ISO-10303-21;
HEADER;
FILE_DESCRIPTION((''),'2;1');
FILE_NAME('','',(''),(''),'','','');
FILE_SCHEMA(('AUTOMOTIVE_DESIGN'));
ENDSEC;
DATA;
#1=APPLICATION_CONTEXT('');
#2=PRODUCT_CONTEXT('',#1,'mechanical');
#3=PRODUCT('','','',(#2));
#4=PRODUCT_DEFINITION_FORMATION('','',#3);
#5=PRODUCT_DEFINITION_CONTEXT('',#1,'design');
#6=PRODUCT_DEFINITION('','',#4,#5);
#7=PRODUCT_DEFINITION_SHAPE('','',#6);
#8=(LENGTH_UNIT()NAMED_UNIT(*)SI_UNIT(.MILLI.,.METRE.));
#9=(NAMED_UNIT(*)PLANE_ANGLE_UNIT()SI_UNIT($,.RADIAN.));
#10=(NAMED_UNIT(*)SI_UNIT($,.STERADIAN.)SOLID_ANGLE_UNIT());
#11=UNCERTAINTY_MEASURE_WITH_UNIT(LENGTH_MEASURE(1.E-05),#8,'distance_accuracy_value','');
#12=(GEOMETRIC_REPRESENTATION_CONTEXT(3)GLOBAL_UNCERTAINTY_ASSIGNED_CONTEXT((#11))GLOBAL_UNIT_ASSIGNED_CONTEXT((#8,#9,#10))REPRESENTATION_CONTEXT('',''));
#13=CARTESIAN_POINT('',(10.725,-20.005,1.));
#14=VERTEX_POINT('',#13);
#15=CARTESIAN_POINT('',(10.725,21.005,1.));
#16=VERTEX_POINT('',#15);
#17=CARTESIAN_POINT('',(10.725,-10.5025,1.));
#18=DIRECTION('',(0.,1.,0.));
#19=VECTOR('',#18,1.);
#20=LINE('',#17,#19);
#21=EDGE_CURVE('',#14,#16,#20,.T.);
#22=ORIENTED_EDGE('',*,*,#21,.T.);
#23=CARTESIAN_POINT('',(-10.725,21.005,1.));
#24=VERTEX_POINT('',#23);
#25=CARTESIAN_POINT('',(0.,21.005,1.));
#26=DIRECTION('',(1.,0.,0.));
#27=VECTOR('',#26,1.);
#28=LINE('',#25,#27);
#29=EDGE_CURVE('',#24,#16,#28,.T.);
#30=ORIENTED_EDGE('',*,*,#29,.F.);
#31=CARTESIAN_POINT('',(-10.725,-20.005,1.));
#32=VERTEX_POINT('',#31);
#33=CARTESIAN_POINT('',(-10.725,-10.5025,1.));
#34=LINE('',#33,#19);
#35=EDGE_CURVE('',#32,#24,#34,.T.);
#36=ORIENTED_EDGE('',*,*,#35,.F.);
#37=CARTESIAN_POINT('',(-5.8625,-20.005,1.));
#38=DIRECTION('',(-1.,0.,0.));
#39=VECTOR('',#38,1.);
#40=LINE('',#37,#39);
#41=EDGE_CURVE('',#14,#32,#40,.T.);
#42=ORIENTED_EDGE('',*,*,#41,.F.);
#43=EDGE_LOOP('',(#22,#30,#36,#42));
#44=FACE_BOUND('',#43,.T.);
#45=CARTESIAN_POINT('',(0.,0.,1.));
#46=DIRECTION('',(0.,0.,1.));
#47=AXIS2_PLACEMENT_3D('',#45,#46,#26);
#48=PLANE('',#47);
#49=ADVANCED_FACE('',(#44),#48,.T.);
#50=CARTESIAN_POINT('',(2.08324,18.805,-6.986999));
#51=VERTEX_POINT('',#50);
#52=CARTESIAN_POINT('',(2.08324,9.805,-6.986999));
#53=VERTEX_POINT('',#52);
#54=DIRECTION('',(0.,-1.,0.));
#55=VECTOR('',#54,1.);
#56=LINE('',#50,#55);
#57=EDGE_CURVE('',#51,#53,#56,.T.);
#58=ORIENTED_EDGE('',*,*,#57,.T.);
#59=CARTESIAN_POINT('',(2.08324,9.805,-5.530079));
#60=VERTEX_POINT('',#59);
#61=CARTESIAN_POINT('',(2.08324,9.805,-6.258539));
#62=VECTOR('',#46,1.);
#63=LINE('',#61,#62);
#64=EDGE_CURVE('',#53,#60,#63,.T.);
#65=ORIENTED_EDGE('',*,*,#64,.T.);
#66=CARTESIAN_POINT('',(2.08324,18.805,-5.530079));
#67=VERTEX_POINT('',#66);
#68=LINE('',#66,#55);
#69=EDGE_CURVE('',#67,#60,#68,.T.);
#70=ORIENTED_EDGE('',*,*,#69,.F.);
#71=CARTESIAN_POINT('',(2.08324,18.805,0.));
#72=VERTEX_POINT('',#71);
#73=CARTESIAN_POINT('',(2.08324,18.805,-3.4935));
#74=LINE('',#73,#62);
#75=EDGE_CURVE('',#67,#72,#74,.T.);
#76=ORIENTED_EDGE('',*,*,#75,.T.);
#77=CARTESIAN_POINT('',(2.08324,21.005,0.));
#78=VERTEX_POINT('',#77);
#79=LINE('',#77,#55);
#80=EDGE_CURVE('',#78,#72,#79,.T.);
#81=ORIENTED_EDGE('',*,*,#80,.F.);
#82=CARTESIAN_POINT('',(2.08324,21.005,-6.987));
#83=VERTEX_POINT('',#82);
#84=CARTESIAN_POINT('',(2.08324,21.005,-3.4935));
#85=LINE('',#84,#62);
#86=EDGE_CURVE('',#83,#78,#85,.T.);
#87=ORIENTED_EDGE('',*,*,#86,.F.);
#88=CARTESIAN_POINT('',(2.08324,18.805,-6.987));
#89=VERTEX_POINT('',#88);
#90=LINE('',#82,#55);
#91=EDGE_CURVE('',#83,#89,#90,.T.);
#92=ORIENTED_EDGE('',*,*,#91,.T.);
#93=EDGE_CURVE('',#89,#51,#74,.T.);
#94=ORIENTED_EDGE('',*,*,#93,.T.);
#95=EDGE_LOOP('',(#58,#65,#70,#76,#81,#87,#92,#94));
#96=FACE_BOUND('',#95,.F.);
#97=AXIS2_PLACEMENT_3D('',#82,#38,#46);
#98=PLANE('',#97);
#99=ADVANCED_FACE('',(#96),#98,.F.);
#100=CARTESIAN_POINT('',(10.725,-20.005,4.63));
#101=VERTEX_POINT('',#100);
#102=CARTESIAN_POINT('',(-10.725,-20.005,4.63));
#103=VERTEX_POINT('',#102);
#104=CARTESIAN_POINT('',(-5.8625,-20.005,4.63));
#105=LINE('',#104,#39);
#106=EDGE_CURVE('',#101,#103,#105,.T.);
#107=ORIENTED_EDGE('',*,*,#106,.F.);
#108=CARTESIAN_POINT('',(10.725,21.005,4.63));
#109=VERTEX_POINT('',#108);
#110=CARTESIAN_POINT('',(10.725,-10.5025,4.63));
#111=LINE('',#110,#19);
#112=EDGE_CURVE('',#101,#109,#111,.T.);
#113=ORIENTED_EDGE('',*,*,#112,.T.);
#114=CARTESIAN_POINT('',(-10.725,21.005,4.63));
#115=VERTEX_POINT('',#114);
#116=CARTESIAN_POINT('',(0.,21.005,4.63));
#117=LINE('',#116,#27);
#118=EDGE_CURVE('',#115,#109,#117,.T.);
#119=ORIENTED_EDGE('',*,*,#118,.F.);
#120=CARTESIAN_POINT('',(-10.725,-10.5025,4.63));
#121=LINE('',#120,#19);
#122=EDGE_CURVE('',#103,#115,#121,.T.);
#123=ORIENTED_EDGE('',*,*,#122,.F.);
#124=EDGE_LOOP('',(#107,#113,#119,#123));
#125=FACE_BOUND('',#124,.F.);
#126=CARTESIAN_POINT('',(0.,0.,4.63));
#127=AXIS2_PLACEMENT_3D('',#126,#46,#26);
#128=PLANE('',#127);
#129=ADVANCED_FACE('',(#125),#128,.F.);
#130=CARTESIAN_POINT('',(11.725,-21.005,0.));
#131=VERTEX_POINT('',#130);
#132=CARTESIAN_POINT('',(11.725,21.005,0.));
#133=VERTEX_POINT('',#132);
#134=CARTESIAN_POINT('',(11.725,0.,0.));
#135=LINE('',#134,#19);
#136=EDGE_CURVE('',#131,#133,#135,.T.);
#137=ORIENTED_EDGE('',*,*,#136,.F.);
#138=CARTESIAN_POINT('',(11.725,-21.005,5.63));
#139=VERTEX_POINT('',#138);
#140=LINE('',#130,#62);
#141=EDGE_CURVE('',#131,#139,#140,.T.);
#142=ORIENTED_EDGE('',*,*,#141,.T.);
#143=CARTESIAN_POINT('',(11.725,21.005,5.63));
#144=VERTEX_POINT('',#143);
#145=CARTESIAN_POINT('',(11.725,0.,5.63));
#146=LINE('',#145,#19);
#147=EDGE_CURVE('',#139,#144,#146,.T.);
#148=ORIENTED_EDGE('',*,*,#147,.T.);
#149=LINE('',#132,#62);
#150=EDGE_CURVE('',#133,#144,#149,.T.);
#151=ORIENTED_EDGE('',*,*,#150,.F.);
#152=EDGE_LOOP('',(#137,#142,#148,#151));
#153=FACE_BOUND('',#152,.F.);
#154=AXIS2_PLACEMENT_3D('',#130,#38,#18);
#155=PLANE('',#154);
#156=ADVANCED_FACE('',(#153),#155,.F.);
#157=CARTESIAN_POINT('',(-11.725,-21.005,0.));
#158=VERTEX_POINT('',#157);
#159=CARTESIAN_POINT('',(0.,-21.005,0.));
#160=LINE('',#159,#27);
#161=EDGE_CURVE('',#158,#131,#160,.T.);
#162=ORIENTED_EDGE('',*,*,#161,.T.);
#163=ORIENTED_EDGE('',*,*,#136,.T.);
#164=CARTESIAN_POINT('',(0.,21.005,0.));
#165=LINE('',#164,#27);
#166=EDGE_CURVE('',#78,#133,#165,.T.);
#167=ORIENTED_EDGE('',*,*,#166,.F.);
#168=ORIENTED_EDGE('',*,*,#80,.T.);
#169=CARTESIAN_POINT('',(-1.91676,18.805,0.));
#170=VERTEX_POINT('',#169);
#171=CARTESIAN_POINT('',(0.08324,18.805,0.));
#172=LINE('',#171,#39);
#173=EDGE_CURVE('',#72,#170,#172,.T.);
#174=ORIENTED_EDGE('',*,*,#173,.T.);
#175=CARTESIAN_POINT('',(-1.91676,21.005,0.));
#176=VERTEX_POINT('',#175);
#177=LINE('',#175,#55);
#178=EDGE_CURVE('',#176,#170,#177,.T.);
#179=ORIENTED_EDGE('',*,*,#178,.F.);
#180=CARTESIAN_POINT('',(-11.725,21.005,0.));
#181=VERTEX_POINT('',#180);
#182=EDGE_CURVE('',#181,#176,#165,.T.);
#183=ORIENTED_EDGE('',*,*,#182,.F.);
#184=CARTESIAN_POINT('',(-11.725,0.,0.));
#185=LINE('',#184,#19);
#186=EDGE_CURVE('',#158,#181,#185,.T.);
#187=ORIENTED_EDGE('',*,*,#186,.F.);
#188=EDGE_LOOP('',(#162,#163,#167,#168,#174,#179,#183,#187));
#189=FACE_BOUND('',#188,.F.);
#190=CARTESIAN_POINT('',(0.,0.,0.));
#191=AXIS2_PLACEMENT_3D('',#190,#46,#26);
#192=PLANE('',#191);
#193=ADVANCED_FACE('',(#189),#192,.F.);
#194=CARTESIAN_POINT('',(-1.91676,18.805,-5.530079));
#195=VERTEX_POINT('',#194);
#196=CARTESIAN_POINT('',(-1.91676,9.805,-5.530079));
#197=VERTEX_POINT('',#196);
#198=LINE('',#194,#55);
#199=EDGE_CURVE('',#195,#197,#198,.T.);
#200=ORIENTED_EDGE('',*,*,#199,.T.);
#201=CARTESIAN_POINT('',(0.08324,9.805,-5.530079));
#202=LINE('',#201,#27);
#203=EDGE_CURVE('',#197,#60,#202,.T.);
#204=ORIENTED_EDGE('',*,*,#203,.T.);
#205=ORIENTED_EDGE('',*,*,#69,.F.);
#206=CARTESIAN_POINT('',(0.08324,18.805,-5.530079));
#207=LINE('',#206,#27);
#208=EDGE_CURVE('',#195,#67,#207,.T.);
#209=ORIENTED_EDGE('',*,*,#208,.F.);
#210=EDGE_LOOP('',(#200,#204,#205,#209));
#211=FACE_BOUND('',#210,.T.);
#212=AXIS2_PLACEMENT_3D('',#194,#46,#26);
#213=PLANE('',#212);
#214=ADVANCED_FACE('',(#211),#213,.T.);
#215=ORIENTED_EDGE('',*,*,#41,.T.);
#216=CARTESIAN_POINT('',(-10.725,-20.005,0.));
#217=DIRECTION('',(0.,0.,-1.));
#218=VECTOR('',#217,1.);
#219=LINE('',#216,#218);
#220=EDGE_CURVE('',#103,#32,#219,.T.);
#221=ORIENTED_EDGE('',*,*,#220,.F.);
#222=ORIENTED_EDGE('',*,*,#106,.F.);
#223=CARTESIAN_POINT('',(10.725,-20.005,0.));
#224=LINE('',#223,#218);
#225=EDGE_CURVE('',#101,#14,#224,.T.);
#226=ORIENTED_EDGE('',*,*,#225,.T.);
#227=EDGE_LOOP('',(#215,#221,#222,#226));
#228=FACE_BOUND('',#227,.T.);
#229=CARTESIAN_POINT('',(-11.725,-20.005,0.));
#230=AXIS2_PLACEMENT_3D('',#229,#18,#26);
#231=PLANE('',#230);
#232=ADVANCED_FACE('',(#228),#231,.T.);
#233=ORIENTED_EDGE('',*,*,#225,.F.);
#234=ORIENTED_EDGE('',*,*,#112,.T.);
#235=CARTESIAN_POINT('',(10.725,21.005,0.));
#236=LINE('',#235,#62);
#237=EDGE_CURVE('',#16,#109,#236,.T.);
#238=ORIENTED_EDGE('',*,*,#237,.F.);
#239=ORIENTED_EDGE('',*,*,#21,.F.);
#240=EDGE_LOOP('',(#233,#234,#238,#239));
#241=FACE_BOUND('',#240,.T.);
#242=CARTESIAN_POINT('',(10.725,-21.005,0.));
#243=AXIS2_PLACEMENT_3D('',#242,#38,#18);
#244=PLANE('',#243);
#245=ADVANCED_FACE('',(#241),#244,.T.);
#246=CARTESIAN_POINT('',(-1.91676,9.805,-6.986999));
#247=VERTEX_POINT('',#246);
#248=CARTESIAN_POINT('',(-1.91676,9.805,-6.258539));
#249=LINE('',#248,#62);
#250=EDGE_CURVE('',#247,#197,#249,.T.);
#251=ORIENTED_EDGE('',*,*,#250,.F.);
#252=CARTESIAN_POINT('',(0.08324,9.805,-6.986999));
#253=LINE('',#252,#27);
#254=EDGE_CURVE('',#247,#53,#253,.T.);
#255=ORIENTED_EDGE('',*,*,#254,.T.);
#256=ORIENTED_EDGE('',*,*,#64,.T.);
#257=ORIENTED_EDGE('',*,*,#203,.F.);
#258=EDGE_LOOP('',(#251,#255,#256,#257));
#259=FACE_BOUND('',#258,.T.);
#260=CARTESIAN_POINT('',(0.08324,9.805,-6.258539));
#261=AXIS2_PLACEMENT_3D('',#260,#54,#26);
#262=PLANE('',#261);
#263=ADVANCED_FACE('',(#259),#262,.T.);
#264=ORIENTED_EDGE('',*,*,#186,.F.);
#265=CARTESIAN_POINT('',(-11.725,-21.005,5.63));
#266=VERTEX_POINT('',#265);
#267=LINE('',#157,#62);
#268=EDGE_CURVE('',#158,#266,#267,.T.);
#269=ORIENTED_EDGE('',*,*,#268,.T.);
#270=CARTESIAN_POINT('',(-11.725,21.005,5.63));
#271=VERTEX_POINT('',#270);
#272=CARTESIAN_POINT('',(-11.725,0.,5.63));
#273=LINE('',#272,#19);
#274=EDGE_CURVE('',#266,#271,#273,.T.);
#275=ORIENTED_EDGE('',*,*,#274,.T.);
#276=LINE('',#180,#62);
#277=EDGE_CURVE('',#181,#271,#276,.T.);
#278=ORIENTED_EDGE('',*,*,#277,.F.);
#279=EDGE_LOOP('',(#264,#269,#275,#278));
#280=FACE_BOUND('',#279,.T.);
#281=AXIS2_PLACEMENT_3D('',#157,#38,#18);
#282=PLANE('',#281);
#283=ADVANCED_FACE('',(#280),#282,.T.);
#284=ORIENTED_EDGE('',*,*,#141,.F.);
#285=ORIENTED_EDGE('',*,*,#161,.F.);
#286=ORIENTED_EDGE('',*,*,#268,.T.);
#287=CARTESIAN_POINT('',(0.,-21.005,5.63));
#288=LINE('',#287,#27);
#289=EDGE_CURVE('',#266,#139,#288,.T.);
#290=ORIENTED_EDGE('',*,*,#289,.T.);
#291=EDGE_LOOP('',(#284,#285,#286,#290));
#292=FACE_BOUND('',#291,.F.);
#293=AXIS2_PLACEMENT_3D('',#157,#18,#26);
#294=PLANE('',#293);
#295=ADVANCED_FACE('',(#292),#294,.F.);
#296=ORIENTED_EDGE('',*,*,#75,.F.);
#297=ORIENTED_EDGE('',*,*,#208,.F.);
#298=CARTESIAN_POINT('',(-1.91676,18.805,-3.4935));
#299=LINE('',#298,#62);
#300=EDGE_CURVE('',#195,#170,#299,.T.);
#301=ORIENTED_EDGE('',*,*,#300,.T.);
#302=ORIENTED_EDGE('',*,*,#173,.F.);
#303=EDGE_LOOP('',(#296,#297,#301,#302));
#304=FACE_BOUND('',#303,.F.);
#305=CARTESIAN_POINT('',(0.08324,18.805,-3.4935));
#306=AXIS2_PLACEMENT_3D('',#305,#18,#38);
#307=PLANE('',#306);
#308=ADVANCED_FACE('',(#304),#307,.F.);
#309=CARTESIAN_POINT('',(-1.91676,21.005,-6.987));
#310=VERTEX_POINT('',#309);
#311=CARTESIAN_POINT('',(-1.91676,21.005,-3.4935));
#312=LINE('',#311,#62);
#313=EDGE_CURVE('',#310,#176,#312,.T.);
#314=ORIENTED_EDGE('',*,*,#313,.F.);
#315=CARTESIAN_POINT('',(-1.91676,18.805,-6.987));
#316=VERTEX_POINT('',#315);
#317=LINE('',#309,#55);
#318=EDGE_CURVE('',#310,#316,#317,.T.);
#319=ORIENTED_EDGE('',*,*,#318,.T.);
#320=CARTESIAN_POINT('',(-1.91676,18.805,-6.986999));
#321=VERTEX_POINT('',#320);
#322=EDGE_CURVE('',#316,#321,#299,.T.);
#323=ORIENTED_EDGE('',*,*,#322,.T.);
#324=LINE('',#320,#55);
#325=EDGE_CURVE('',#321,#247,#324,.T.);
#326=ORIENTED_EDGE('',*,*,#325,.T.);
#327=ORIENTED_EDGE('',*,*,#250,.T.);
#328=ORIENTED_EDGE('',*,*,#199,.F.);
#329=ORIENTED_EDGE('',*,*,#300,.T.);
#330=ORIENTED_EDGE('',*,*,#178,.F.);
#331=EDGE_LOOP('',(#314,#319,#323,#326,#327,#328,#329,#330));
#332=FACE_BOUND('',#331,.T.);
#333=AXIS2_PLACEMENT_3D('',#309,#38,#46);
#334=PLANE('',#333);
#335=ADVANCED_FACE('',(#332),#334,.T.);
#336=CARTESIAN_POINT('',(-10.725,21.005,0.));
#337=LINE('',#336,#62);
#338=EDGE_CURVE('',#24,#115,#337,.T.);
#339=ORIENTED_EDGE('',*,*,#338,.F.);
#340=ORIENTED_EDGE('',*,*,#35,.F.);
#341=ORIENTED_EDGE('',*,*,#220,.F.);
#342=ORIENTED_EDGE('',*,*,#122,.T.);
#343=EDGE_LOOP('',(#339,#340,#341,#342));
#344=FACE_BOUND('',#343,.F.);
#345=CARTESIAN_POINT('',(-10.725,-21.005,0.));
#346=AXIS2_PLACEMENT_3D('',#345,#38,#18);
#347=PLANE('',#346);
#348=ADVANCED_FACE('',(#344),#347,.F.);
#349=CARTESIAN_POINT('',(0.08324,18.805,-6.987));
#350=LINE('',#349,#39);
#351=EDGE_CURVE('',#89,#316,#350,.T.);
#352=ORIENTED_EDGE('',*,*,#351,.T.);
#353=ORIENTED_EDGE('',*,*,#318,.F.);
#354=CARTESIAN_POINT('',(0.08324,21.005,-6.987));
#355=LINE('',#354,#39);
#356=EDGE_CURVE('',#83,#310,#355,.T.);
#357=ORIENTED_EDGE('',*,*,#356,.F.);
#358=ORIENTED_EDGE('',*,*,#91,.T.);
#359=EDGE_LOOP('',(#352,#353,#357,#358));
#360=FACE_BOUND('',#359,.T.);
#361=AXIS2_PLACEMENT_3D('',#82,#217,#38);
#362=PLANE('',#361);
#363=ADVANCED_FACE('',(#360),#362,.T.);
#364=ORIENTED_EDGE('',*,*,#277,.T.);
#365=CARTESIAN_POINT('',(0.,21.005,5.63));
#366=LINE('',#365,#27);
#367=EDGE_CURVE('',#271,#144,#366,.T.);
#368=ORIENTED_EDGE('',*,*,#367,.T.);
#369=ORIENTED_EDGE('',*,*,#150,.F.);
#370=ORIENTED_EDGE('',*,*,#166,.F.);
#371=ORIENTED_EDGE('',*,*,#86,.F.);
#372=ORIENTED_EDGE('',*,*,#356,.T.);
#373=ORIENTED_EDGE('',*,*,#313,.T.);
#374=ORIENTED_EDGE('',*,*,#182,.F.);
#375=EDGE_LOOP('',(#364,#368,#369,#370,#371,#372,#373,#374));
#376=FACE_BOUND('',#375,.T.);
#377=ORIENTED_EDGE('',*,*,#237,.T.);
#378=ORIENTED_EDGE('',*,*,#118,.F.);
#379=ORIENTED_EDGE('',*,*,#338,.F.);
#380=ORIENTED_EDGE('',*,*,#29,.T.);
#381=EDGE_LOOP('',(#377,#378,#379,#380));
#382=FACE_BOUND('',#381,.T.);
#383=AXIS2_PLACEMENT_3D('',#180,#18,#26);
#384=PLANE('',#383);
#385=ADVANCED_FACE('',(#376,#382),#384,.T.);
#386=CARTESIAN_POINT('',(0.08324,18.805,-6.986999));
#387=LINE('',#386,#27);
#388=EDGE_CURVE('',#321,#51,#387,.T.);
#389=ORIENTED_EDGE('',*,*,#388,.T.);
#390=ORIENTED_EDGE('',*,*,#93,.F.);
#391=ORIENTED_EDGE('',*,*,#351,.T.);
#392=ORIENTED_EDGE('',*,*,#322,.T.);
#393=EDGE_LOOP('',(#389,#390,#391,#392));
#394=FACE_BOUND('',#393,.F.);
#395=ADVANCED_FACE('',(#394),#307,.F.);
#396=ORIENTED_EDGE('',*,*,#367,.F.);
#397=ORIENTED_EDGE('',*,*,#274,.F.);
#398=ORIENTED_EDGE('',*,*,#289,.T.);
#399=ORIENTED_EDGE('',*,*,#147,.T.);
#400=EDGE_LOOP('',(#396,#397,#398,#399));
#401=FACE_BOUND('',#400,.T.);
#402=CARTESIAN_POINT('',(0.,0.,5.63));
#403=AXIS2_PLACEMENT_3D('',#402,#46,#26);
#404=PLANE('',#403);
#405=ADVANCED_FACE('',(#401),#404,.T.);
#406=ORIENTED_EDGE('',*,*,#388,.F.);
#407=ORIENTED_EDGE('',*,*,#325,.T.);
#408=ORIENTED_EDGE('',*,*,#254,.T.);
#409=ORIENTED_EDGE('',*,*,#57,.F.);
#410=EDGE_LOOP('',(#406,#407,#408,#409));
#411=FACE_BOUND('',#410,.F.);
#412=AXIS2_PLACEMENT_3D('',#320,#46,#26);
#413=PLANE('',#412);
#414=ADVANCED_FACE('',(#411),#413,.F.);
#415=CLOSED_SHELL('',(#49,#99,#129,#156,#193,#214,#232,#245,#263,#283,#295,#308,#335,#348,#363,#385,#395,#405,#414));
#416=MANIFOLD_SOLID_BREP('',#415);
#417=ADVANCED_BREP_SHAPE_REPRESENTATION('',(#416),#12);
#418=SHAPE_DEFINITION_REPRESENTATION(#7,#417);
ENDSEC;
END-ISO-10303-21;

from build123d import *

# Parameters (mm, degrees)
F0_W     = 23.45
F0_H     = 42.01
F1_DEPTH = 5.63
F2_T     = -1
F3_W     = 4
F3_H     = 6.987
F4_DEPTH = 2.2
F5_W     = 4
F5_H     = 1.456921
F6_DEPTH = 9


with BuildPart() as f1:
    # F0 (on Top) → F1 (new body)
    with BuildSketch(Plane.XY):
        Rectangle(F0_W, F0_H)
    extrude(amount=F1_DEPTH)

    # F2
    f2_openings = [f1.faces().sort_by_distance(p)[0] for p in [
        (0, 21.005, 2.815),
    ]]
    offset(amount=F2_T, openings=f2_openings)

    # F3 (on face) → F4 (join)
    with BuildSketch(Plane(origin=(0, 21.005, 0), x_dir=(-1, 0, 0), z_dir=(0, 1, 0))):
        with Locations((-0.08324, -3.4935)):
            Rectangle(F3_W, F3_H)
    extrude(amount=-F4_DEPTH)

    # F5 (on face) → F6 (join)
    with BuildSketch(Plane.XZ.offset(-18.805)):
        with Locations((0.08324, -6.258539)):
            Rectangle(F5_W, F5_H)
    extrude(amount=F6_DEPTH)


solid = f1.part
